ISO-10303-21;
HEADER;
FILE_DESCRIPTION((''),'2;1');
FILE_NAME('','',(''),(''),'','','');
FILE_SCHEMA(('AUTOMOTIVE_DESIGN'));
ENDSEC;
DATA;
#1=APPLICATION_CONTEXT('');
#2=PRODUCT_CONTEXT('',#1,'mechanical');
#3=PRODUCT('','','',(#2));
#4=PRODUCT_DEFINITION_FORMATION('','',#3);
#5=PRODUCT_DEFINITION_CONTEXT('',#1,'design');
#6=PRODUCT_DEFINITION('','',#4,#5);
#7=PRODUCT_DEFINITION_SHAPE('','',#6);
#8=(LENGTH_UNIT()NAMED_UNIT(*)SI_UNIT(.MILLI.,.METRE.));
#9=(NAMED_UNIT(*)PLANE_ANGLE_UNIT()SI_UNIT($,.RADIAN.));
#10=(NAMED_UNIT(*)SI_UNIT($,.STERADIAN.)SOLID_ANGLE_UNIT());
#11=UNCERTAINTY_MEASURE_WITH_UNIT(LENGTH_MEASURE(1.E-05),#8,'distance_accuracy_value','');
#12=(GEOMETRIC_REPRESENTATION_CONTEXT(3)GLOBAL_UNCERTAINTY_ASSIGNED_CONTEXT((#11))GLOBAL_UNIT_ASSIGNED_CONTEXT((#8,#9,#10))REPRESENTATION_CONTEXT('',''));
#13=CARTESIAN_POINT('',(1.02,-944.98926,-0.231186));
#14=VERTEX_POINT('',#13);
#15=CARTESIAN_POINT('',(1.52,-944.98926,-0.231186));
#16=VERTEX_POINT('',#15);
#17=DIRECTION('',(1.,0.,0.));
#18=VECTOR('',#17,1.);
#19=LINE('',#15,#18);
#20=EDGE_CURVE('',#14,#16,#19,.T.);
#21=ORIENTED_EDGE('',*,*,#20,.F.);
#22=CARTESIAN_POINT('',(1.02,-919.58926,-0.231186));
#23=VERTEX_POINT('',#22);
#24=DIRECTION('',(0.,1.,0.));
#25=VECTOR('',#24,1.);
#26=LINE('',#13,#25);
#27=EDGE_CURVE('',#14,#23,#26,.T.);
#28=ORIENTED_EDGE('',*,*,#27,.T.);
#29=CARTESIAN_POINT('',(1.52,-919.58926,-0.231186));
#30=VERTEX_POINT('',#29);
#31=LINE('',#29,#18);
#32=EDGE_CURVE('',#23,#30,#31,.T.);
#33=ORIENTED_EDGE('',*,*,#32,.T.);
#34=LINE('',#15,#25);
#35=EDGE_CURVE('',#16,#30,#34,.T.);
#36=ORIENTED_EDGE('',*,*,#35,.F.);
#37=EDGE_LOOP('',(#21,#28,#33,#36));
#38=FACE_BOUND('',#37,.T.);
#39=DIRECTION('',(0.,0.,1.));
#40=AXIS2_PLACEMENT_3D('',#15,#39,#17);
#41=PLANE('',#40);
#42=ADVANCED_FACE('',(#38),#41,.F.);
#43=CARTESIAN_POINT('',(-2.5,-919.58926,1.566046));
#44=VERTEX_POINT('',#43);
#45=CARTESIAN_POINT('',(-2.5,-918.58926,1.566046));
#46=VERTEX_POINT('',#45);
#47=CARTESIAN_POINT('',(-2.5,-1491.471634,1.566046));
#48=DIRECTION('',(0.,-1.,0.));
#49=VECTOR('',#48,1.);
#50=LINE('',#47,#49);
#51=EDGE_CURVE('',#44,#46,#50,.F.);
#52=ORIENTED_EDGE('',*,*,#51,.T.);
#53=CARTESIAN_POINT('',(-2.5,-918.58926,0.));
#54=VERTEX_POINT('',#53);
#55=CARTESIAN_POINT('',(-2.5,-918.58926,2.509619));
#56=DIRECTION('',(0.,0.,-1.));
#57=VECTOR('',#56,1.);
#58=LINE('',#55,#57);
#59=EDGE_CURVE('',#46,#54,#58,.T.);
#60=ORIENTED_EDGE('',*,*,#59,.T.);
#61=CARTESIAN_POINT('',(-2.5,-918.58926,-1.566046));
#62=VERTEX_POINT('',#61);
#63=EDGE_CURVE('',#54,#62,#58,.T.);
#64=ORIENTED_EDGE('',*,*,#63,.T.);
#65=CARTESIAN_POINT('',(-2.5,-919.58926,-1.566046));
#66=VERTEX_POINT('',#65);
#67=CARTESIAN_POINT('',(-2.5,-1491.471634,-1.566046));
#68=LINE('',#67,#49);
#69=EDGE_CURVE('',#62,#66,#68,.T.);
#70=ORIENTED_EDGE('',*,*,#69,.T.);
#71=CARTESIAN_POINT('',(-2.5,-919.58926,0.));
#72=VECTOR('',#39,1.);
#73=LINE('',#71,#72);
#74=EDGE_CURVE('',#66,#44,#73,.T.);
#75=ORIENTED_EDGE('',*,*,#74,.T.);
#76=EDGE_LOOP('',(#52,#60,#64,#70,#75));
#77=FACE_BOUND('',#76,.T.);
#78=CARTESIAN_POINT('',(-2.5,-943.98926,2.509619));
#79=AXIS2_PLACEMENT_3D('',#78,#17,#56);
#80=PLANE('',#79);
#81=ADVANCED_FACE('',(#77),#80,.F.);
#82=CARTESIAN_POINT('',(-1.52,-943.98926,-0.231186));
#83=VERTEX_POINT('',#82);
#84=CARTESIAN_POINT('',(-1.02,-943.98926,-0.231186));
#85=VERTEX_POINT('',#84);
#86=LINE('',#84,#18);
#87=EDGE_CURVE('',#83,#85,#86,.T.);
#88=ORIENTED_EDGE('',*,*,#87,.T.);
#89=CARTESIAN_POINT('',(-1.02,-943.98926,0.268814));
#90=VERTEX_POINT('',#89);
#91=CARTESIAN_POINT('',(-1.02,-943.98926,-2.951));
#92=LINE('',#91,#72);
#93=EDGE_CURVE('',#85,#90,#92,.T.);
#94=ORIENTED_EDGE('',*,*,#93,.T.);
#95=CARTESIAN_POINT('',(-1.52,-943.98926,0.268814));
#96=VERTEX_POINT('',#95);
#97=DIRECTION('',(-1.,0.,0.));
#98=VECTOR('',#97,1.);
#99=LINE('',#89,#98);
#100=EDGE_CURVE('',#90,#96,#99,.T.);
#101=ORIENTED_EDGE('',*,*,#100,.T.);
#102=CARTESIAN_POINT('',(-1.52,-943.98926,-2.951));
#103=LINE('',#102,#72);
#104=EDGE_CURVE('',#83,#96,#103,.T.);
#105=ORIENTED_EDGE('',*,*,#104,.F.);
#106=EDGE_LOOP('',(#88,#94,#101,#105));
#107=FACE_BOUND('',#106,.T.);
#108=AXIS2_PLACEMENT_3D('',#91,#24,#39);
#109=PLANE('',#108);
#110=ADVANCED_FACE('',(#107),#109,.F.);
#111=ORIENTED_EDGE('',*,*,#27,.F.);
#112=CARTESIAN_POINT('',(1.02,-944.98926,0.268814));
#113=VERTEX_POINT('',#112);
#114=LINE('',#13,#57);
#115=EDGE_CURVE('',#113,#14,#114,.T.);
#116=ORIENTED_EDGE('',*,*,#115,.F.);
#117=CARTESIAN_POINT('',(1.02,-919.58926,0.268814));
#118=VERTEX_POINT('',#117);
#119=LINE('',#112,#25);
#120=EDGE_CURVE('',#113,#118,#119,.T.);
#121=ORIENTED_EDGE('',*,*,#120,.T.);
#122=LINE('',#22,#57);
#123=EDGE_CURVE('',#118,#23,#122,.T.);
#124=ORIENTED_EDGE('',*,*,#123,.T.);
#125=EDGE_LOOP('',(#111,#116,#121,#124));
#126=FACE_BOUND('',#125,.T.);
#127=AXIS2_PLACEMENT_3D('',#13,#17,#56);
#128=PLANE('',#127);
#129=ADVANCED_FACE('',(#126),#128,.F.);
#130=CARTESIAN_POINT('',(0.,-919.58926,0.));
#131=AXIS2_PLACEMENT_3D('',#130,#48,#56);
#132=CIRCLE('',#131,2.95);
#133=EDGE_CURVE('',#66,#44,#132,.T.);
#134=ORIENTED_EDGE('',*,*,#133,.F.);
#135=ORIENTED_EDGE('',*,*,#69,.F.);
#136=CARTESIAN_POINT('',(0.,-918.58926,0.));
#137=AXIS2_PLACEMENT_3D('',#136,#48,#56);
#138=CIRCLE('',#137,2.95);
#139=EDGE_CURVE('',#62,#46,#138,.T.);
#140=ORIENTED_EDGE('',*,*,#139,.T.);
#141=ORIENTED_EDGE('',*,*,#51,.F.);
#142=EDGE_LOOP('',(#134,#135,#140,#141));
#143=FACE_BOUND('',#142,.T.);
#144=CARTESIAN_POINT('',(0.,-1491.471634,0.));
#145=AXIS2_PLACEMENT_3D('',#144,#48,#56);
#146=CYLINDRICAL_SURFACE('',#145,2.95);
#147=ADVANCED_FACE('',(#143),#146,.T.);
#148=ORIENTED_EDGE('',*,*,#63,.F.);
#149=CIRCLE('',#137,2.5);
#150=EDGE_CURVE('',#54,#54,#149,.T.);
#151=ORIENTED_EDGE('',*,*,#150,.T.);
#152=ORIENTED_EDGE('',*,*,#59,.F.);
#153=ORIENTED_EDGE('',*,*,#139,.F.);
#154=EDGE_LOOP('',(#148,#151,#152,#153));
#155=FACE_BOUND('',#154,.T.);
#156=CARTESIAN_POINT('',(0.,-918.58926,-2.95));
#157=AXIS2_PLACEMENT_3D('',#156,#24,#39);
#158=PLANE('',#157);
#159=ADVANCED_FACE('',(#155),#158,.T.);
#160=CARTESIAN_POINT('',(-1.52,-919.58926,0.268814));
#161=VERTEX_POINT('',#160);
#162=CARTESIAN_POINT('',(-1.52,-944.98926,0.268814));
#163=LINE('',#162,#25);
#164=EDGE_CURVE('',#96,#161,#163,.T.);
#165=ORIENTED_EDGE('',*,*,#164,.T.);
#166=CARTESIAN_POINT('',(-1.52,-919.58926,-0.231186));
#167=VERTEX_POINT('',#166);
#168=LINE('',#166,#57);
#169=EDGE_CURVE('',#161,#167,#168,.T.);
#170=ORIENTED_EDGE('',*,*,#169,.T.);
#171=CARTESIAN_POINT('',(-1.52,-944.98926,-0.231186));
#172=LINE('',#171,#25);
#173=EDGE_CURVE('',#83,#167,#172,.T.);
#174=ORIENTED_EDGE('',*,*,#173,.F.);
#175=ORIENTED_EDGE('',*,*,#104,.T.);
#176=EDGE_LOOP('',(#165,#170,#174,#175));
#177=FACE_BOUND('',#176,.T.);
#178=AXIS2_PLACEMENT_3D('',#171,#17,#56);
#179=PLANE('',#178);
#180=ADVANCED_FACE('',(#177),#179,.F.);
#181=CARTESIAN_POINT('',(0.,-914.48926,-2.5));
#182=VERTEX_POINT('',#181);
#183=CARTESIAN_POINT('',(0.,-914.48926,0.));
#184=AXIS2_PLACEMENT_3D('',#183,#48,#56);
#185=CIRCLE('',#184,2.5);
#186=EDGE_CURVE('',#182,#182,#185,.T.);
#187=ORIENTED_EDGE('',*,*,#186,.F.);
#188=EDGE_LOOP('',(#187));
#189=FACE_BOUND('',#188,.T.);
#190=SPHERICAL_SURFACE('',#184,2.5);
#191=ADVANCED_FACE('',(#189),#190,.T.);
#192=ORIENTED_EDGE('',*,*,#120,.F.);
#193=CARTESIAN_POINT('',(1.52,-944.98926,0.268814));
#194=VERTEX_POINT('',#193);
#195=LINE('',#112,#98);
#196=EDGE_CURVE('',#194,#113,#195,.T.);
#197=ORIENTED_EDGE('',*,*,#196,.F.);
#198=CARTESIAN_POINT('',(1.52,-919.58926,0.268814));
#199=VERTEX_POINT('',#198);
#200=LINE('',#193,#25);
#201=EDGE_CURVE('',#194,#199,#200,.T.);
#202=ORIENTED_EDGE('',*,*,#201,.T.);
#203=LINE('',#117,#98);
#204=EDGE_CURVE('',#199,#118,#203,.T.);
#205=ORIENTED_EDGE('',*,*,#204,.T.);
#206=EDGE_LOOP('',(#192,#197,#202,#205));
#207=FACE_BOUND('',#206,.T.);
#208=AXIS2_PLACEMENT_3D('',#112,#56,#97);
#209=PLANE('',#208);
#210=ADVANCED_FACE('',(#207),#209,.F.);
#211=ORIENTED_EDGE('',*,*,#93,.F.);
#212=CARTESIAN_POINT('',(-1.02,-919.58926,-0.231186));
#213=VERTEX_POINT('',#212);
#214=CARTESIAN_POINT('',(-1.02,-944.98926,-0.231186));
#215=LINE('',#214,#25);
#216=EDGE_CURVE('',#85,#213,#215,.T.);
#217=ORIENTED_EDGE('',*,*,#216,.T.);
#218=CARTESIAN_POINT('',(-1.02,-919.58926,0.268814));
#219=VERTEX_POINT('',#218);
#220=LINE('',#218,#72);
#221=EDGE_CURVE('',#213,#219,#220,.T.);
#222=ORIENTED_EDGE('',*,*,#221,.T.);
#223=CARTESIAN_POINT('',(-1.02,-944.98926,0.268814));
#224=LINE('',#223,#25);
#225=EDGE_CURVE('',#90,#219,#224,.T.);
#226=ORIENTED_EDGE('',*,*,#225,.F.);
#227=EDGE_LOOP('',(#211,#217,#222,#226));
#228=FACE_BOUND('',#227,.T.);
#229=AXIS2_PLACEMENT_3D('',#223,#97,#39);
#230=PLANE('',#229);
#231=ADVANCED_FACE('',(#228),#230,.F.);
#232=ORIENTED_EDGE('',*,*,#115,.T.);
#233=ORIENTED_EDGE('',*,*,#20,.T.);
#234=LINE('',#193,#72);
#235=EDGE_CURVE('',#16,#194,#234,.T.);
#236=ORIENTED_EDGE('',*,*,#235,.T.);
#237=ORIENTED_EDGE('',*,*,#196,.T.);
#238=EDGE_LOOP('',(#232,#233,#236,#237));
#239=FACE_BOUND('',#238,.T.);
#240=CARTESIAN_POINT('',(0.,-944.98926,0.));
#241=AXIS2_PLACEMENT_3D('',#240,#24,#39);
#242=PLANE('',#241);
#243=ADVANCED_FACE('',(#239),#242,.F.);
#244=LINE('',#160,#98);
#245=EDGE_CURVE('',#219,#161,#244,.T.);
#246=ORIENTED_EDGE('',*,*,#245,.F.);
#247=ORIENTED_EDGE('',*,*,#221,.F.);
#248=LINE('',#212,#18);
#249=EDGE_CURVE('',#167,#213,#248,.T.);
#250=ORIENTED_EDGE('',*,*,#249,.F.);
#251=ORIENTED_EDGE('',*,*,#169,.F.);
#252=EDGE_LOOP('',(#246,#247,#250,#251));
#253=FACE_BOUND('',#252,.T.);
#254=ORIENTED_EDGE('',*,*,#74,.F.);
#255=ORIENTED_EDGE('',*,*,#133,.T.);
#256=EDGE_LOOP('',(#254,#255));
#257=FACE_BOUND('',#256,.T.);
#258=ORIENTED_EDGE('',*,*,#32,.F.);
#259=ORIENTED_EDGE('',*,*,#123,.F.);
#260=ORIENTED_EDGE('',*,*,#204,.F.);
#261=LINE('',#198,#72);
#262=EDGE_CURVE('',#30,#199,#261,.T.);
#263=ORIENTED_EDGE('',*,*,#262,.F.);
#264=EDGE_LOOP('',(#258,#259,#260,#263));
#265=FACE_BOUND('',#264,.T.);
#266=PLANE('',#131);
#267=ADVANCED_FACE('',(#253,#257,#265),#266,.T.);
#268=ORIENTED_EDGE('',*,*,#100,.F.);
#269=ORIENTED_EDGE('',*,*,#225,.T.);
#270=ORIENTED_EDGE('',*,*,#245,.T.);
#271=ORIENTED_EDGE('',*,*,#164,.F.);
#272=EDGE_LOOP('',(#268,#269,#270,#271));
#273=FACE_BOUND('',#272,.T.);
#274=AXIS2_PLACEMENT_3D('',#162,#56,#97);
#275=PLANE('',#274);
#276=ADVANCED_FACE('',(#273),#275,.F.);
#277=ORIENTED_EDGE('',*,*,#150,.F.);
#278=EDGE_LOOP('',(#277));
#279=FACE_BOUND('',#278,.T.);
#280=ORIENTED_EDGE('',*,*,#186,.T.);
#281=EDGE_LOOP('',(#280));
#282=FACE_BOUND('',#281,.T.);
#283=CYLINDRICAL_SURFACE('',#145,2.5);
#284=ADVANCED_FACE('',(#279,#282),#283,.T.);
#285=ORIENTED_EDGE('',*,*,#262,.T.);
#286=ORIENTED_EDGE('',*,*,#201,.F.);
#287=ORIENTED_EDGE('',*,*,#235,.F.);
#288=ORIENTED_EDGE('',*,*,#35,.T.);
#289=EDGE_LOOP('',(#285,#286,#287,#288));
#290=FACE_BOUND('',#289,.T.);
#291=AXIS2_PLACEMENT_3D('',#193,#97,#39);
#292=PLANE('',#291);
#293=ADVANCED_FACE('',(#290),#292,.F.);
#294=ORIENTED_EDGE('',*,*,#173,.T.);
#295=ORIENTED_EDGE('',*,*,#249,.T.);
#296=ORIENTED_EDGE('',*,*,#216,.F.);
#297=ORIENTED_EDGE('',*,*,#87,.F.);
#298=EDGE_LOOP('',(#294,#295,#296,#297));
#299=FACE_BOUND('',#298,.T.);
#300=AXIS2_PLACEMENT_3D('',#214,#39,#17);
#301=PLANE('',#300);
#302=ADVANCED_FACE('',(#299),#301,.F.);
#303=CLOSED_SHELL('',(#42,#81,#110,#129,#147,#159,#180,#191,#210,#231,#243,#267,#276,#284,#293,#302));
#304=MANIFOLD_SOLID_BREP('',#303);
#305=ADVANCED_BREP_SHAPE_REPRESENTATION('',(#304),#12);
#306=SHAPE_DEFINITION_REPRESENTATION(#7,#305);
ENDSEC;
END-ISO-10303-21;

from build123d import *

# Parameters (mm, degrees)
CROQUIS3_W              = 0.5
CROQUIS3_H              = 0.5
SALIENTE_EXTRUIR3_DEPTH = 25.4
CROQUIS4_W              = 0.912534335
CROQUIS4_H              = 5.586103973
CORTAR_EXTRUIR1_DEPTH   = 25.4
CORTAR_EXTRUIR2_REACH   = 946.999
CROQUIS5_W              = 0.5
CROQUIS5_H              = 1


with BuildPart() as part:
    # Croquis2 → Revolución1 (revolve)
    with BuildSketch(Plane(origin=(0, 0, 0), x_dir=(0, 0, -1), z_dir=(1, 0, 0))):
        with BuildLine():
            Line((0, -919.589259582), (2.95, -919.589259582))
            Line((2.95, -919.589259582), (2.95, -918.589259582))
            Line((2.95, -918.589259582), (2.5, -918.589259582))
            Line((2.5, -918.589259582), (2.5, -914.489259582))
            ThreePointArc((2.5, -914.489259582), (1.767766953, -912.721492629), (0, -911.989259582))
            Line((0, -911.989259582), (0, -919.589259582))
        make_face()
    revolve(axis=Axis((0, -1491.471633976, 0), (0, 1, 0)))

    # Croquis3 → Saliente-Extruir3 (add)
    with BuildSketch(Plane.XZ.offset(919.589259582)):
        with Locations((1.27, 0.018814001)):
            Rectangle(CROQUIS3_W, CROQUIS3_H)
        with Locations((-1.27, 0.018814001)):
            Rectangle(CROQUIS3_W, CROQUIS3_H)
    extrude(amount=SALIENTE_EXTRUIR3_DEPTH)

    # Croquis4 → Cortar-Extruir1 (cut)
    with BuildSketch(Plane(origin=(0, -918.589259582, 0), x_dir=(1, 0, 0), z_dir=(0, 1, 0))):
        with Locations((-2.956267168, 0.283432647)):
            Rectangle(CROQUIS4_W, CROQUIS4_H)
    extrude(amount=-CORTAR_EXTRUIR1_DEPTH, mode=Mode.SUBTRACT)

    # Croquis5 → Cortar-Extruir2 (cut, up to next)
    with BuildSketch(Plane.XY.offset(0.268814001), mode=Mode.PRIVATE) as cortar_extruir2_sk1:
        with Locations((-1.27, -944.489259582)):
            Rectangle(CROQUIS5_W, CROQUIS5_H)
    cortar_extruir2_tool1 = extrude(cortar_extruir2_sk1.sketch, amount=-CORTAR_EXTRUIR2_REACH, mode=Mode.PRIVATE) & part.part
    add(cortar_extruir2_tool1.solids().sort_by_distance((-1.27, -944.48926, 0.268814))[0], mode=Mode.SUBTRACT)


solid = part.part
